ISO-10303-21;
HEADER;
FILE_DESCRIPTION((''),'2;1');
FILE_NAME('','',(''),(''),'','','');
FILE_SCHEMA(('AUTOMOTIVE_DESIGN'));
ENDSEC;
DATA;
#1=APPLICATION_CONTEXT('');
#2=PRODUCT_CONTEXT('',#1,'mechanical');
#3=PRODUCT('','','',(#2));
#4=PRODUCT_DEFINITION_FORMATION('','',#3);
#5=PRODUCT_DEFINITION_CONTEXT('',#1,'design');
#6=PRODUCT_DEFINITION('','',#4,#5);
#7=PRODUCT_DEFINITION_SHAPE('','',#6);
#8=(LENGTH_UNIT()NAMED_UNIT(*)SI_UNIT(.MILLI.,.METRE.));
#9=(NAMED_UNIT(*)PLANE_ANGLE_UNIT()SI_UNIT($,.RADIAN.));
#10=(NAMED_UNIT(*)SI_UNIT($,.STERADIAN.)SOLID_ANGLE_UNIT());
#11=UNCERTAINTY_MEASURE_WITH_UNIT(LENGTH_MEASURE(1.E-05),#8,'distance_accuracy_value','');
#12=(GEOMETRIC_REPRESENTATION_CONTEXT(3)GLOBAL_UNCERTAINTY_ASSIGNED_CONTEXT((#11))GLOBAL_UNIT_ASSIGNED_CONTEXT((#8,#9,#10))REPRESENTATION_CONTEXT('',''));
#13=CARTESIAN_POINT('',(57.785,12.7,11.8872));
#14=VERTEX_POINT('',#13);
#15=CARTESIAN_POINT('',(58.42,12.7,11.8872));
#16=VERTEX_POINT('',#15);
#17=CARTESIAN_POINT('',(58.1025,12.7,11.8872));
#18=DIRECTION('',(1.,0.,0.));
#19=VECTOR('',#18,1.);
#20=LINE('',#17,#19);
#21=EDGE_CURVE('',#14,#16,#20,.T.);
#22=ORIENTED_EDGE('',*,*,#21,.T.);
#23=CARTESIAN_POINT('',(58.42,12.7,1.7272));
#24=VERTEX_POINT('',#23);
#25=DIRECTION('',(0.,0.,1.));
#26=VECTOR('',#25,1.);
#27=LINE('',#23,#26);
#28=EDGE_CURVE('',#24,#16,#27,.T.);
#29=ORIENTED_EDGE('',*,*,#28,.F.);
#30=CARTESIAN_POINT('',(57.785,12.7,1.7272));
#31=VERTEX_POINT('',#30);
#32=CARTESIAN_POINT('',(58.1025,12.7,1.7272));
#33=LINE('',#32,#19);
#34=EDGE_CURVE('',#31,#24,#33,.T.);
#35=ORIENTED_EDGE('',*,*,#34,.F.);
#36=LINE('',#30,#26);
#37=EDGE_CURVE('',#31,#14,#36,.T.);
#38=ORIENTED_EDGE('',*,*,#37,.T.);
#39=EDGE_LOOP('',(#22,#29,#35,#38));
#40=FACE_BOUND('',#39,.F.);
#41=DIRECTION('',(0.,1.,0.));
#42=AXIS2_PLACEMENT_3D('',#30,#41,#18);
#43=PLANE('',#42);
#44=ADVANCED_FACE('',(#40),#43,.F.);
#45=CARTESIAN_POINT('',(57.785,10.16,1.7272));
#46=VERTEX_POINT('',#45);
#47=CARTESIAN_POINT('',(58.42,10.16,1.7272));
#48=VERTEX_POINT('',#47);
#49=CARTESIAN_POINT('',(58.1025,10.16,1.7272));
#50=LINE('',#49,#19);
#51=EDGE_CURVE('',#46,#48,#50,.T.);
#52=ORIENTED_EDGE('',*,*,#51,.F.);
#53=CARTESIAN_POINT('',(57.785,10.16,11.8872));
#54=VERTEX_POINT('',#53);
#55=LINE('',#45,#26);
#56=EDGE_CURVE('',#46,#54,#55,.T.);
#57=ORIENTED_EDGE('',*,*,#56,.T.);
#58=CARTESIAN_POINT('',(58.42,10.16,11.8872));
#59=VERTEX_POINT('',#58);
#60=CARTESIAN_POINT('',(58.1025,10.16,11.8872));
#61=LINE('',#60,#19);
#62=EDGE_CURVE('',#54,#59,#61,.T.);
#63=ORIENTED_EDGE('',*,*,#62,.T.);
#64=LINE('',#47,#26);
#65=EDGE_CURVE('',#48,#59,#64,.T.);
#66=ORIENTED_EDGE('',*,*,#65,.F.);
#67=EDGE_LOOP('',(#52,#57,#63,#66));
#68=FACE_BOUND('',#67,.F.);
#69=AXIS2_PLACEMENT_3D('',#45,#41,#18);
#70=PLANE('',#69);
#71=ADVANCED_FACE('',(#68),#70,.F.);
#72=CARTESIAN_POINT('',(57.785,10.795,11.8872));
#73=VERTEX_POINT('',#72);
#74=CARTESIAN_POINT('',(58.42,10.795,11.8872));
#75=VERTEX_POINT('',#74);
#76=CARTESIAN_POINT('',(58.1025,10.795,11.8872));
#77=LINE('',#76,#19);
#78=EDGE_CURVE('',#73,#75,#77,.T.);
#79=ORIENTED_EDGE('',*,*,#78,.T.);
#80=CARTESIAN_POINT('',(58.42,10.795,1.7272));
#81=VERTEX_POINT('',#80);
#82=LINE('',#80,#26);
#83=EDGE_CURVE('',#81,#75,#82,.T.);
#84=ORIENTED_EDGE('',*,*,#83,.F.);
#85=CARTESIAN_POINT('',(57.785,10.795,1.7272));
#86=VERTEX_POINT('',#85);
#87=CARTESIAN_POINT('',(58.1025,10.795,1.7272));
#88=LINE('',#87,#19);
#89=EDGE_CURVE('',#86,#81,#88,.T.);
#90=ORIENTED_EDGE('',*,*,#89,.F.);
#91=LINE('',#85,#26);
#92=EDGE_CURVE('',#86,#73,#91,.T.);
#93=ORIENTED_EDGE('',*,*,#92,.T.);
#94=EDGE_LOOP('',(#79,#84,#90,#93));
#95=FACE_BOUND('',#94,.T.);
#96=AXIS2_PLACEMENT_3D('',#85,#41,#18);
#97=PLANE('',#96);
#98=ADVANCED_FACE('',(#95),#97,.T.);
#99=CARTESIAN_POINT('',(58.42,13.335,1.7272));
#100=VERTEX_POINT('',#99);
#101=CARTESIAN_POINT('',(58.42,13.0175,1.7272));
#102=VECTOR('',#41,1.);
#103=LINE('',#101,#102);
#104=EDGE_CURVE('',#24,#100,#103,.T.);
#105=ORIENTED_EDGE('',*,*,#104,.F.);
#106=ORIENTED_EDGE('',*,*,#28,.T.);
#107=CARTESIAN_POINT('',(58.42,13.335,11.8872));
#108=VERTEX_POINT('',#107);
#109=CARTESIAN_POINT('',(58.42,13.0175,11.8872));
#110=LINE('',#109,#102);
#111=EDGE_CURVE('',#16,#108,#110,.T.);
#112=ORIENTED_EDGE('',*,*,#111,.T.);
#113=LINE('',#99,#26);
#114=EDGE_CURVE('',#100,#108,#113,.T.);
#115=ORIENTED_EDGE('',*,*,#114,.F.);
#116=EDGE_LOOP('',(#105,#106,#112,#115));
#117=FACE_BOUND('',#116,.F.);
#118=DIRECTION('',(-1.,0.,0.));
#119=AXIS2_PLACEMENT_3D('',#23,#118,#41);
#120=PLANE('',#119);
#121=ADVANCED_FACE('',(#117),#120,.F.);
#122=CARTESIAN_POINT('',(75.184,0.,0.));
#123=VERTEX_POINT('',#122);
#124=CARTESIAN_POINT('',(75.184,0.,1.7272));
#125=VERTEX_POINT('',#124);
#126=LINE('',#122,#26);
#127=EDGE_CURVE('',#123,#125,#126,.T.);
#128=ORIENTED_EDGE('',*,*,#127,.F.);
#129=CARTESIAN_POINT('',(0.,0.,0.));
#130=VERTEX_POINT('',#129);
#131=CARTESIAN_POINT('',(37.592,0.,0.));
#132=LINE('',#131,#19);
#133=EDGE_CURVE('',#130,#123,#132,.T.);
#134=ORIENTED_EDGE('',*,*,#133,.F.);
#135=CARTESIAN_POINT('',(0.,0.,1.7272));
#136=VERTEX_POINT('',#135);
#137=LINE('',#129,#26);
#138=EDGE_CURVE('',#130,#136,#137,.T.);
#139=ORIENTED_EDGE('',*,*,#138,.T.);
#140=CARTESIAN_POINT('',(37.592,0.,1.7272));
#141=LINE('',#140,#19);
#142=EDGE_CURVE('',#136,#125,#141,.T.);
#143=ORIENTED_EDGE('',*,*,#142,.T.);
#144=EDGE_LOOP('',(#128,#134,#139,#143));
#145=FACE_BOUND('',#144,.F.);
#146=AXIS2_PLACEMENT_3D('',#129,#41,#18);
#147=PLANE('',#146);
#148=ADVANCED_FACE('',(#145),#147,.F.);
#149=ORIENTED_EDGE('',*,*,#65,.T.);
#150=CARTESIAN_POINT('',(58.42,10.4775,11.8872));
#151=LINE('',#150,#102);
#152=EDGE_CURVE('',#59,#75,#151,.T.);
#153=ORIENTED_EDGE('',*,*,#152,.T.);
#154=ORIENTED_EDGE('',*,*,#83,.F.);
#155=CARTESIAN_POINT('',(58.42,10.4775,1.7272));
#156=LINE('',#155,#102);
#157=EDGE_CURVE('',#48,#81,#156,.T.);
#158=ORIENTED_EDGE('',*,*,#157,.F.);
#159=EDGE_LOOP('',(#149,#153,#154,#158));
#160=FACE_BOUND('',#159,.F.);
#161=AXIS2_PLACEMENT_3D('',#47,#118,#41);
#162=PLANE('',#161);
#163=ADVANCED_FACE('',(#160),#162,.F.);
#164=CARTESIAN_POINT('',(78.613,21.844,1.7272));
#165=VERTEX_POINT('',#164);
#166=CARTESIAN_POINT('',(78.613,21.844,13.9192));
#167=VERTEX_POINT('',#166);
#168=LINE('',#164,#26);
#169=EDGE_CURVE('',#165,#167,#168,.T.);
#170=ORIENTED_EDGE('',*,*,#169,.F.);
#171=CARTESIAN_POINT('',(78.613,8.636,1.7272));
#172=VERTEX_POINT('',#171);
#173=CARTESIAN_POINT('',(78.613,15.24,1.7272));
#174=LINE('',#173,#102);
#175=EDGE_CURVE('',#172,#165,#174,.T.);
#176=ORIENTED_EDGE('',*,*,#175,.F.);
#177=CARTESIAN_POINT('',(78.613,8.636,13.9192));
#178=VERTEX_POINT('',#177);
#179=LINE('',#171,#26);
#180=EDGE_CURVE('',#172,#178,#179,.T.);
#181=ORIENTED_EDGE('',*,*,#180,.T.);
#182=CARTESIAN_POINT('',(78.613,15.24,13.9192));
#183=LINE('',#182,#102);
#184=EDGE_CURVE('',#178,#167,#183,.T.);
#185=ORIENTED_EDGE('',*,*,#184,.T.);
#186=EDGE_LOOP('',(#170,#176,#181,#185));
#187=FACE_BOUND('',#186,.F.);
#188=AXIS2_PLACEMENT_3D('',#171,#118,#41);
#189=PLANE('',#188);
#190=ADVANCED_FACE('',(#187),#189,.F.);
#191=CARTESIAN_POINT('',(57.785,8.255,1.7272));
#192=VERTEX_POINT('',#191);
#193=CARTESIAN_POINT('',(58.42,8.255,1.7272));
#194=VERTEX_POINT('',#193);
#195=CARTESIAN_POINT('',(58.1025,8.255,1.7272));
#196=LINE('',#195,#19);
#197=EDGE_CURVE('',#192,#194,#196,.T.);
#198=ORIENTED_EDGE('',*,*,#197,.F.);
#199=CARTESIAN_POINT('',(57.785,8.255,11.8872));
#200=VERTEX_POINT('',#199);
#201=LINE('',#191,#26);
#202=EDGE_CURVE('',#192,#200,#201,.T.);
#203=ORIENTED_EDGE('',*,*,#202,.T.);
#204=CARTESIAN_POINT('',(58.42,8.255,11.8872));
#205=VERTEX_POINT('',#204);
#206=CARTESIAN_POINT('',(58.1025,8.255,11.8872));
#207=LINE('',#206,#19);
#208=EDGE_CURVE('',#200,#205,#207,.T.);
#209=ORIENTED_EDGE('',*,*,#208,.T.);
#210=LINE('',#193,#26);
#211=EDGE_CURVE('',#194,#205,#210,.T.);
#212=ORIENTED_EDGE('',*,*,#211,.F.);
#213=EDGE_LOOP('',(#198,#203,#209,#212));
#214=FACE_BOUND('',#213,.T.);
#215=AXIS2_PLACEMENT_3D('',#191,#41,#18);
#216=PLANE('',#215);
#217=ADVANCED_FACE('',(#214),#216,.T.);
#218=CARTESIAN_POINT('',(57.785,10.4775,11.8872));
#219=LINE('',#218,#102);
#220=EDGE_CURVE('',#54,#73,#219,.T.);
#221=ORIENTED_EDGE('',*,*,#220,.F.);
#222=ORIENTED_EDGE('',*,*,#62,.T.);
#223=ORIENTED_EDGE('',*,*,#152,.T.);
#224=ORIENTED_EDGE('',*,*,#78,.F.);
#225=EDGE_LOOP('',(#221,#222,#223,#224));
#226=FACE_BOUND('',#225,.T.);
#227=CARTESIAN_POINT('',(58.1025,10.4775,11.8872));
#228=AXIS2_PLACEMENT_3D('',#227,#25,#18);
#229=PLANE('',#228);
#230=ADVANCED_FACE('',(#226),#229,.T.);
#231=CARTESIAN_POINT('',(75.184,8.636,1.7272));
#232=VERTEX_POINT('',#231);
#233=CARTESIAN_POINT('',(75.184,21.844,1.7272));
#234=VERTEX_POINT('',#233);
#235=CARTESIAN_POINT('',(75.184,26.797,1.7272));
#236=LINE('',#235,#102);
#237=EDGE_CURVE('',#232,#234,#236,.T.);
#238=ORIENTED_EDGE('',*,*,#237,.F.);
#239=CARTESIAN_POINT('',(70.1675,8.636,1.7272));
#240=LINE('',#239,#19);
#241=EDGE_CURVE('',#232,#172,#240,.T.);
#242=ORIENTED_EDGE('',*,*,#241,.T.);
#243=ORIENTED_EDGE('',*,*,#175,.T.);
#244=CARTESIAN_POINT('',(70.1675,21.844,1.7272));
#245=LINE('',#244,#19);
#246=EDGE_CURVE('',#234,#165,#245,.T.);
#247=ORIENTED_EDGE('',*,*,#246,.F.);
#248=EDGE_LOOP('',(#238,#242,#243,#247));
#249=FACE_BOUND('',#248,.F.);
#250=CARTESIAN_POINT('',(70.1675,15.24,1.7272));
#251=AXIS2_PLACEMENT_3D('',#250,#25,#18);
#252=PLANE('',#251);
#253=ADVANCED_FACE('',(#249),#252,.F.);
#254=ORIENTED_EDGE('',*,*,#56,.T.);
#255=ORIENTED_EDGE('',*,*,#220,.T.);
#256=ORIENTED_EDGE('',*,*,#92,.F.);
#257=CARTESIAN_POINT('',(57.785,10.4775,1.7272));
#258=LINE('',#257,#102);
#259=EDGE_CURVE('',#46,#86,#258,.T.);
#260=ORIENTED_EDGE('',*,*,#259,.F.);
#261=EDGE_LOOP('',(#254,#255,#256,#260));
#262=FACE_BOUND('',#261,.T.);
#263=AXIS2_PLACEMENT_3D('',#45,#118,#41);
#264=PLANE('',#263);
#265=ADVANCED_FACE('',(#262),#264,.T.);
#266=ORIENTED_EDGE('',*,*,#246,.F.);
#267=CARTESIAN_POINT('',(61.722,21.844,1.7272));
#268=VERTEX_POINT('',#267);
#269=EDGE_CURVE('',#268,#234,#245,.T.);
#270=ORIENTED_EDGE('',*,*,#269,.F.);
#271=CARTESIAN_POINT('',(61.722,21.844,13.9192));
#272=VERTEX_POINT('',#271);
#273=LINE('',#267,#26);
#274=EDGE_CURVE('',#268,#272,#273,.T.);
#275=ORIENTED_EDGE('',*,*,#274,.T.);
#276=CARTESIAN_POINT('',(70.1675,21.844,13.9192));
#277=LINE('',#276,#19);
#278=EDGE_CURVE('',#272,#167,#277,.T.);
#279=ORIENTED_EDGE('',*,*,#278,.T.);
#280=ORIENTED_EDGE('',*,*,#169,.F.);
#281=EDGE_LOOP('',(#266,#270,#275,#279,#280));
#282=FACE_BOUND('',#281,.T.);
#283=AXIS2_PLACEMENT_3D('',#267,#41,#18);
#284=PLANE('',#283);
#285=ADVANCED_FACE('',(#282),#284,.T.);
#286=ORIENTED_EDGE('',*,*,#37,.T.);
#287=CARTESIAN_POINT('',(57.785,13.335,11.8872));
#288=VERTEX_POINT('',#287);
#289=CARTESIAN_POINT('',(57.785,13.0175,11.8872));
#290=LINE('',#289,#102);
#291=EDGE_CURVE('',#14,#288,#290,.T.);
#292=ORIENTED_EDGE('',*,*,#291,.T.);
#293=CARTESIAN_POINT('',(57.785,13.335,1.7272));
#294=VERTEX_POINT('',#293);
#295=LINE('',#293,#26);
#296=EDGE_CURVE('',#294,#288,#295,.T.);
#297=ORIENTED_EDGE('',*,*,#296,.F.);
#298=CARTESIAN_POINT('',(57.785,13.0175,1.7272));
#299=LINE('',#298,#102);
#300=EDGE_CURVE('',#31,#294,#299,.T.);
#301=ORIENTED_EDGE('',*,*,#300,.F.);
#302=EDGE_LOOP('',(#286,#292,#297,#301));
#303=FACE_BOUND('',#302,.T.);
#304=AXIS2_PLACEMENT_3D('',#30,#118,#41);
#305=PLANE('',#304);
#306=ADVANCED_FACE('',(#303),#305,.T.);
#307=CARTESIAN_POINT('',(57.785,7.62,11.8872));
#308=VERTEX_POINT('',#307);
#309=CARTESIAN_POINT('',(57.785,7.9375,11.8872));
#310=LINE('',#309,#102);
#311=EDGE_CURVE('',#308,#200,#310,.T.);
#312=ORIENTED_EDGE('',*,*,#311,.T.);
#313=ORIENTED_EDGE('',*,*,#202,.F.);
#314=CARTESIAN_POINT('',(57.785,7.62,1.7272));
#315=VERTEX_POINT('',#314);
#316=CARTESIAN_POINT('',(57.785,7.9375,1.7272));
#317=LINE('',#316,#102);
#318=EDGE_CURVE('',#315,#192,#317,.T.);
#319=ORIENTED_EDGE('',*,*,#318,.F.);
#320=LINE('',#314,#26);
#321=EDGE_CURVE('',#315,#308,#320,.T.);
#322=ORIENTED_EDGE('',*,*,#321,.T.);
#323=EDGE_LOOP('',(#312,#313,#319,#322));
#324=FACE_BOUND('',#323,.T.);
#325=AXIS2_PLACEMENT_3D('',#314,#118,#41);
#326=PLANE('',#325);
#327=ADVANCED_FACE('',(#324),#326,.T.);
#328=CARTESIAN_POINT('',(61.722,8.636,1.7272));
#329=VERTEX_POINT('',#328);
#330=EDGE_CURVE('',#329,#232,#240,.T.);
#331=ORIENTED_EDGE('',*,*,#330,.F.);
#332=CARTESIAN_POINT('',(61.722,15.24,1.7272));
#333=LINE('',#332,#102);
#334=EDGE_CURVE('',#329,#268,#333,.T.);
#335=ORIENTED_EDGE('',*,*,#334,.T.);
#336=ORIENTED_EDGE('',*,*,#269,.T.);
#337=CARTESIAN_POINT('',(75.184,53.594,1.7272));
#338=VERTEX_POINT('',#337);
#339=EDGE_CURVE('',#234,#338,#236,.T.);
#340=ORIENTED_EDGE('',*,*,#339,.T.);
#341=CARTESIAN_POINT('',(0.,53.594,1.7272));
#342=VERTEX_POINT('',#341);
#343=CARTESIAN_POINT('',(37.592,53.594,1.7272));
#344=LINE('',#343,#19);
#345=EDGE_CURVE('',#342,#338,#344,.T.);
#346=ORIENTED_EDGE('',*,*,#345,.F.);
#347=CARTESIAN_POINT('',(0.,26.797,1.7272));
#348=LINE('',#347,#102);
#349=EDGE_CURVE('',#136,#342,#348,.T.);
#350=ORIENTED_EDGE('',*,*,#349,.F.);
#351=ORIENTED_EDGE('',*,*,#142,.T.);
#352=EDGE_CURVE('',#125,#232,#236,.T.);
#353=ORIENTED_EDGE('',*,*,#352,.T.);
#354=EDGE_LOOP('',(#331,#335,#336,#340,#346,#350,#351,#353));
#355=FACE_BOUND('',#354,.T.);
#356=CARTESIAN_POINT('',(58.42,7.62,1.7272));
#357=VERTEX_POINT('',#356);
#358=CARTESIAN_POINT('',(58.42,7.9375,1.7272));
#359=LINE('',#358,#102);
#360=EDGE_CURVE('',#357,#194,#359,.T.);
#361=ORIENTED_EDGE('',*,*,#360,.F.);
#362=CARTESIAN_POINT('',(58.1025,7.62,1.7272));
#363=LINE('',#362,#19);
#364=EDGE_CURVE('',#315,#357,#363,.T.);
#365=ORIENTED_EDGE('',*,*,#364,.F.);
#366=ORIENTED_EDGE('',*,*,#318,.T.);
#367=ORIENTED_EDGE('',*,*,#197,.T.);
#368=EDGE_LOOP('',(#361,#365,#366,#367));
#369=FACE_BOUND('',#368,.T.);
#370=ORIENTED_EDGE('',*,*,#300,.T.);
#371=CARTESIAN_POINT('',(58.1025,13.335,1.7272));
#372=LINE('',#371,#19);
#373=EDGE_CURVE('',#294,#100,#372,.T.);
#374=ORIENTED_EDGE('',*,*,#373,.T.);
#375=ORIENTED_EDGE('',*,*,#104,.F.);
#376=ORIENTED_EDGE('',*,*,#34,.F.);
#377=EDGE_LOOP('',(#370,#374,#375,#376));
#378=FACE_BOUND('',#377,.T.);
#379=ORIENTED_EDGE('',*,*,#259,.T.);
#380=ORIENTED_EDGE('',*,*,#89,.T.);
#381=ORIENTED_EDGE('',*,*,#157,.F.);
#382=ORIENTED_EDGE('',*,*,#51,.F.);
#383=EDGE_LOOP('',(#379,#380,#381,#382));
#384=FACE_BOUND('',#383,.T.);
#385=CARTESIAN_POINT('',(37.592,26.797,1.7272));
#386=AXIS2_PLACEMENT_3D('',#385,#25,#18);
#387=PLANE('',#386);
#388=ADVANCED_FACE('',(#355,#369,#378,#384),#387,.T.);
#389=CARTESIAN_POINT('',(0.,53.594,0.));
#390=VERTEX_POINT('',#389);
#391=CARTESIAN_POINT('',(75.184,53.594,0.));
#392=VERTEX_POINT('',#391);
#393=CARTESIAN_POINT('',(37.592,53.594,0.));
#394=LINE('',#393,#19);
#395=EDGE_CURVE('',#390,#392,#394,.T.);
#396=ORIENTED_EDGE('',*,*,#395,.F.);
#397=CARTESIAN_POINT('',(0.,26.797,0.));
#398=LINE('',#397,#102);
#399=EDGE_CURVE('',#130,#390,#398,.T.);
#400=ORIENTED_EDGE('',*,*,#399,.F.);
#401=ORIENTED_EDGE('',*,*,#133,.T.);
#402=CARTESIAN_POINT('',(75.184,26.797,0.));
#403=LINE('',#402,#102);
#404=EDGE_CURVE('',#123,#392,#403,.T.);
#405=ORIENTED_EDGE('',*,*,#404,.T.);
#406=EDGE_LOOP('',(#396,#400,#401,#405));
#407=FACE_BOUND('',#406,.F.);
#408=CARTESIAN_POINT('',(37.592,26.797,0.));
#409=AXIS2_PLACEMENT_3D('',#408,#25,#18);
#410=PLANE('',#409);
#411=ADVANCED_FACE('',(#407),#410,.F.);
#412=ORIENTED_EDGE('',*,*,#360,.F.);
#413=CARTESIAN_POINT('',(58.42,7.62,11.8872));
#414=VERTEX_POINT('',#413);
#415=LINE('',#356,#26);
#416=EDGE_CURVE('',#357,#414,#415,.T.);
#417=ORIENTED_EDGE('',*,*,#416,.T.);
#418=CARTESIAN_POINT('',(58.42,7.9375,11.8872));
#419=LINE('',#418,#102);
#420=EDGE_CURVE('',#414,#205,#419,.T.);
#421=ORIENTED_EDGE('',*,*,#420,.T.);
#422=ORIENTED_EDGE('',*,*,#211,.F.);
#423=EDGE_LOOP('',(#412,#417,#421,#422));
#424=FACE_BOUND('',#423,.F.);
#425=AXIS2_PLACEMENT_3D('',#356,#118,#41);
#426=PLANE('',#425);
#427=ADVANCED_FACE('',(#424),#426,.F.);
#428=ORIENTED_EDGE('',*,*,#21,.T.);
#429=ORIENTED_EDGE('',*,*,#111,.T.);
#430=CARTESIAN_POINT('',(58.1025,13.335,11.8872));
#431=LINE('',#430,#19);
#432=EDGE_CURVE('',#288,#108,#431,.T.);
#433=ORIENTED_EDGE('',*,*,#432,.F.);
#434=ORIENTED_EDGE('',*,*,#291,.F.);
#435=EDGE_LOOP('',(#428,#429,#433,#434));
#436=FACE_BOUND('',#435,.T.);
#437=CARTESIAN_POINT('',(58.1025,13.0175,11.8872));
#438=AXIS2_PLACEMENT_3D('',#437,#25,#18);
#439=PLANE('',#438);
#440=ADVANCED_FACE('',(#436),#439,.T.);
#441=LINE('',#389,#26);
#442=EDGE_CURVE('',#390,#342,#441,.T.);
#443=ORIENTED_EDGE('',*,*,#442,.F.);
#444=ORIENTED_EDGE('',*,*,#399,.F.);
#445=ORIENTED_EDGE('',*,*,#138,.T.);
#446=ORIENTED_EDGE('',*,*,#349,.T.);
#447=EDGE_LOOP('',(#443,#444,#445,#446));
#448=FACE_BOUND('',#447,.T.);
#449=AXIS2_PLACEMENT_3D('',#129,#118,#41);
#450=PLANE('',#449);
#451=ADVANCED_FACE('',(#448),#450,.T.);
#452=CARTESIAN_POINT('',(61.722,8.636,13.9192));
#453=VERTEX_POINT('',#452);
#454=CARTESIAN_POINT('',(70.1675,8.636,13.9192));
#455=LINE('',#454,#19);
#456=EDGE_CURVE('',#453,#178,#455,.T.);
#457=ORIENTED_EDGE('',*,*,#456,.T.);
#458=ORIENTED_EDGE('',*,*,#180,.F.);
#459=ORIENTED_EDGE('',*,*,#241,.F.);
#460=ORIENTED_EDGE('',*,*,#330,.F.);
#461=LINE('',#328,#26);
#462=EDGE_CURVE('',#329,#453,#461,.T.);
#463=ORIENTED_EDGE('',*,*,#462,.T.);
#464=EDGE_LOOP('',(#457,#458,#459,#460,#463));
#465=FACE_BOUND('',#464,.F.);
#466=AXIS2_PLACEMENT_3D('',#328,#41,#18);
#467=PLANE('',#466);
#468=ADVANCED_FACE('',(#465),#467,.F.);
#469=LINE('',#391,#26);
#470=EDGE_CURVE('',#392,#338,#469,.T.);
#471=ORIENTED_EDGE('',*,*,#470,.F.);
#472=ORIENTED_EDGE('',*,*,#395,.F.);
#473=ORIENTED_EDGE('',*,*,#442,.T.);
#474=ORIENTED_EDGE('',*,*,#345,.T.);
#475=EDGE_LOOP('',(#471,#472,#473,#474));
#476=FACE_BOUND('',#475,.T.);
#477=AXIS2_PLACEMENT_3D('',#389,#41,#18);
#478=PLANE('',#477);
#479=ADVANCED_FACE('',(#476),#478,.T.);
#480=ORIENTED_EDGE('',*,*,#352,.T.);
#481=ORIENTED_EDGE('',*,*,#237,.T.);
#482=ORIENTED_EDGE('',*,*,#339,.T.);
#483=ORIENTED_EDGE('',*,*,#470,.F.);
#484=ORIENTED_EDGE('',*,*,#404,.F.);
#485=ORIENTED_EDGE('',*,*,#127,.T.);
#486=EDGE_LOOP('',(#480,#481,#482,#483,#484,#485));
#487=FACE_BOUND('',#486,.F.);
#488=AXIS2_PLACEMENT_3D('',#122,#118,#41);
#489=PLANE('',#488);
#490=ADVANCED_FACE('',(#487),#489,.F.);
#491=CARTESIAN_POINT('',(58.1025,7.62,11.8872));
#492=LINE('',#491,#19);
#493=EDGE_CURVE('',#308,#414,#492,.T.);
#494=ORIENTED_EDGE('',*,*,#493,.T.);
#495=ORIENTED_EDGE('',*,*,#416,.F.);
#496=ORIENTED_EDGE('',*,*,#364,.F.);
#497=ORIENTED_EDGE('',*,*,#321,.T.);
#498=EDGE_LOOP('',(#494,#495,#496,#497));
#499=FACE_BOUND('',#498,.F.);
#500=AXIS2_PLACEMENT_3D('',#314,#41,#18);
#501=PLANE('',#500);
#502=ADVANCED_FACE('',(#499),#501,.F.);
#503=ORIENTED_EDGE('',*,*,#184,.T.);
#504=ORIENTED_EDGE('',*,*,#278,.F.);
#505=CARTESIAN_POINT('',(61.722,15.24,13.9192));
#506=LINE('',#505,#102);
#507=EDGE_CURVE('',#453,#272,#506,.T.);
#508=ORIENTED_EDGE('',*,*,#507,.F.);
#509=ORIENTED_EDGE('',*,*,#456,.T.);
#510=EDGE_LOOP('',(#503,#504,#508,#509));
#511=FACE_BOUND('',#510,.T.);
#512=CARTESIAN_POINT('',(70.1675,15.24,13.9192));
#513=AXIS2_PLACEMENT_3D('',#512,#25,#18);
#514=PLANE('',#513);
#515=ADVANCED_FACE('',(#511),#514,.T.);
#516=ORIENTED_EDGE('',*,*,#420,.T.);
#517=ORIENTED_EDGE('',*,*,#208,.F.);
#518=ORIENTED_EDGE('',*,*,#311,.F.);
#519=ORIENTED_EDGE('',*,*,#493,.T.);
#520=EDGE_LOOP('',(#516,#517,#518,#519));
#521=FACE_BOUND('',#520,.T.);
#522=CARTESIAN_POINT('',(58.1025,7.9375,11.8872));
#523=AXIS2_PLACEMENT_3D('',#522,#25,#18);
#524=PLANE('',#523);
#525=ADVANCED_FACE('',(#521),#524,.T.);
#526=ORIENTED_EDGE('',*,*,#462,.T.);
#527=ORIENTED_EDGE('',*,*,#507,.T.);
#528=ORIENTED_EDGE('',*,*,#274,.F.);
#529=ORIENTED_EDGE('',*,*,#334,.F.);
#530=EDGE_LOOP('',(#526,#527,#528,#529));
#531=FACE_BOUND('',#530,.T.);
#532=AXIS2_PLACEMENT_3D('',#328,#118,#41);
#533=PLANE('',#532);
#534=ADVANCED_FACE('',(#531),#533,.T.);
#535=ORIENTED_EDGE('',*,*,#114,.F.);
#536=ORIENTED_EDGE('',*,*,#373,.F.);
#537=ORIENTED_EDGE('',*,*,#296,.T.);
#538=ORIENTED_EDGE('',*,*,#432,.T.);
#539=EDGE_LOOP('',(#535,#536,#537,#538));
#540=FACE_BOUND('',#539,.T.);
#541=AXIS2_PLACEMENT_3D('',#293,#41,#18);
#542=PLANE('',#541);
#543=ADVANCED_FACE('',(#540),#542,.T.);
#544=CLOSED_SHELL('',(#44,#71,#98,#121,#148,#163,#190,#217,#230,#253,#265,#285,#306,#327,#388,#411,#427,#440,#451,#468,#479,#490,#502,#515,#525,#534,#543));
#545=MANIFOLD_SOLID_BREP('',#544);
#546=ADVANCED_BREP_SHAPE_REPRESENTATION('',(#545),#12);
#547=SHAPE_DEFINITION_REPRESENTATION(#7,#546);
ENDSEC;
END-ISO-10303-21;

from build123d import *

# Parameters (mm, degrees)
F0_W     = 75.184
F0_H     = 53.594
F1_DEPTH = 1.7272
F2_W     = 16.891
F2_H     = 13.208
F3_DEPTH = 12.192
F4_W     = 0.635
F4_H     = 0.635
F5_DEPTH = 10.16


with BuildPart() as f1:
    # F0 (on Top) → F1 (new body)
    with BuildSketch(Plane.XY):
        with Locations((37.592, 26.797)):
            Rectangle(F0_W, F0_H)
    extrude(amount=F1_DEPTH)

    # F2 (on face) → F3 (join)
    with BuildSketch(Plane.XY.offset(1.7272)):
        with Locations((70.1675, 15.24)):
            Rectangle(F2_W, F2_H)
    extrude(amount=F3_DEPTH)

    # F4 (on face) → F5 (join)
    with BuildSketch(Plane.XY.offset(1.7272)):
        with Locations((58.1025, 7.9375)):
            Rectangle(F4_W, F4_H)
        with Locations((58.1025, 10.4775)):
            Rectangle(F4_W, F4_H)
        with Locations((58.1025, 13.0175)):
            Rectangle(F4_W, F4_H)
    extrude(amount=F5_DEPTH)


solid = f1.part
